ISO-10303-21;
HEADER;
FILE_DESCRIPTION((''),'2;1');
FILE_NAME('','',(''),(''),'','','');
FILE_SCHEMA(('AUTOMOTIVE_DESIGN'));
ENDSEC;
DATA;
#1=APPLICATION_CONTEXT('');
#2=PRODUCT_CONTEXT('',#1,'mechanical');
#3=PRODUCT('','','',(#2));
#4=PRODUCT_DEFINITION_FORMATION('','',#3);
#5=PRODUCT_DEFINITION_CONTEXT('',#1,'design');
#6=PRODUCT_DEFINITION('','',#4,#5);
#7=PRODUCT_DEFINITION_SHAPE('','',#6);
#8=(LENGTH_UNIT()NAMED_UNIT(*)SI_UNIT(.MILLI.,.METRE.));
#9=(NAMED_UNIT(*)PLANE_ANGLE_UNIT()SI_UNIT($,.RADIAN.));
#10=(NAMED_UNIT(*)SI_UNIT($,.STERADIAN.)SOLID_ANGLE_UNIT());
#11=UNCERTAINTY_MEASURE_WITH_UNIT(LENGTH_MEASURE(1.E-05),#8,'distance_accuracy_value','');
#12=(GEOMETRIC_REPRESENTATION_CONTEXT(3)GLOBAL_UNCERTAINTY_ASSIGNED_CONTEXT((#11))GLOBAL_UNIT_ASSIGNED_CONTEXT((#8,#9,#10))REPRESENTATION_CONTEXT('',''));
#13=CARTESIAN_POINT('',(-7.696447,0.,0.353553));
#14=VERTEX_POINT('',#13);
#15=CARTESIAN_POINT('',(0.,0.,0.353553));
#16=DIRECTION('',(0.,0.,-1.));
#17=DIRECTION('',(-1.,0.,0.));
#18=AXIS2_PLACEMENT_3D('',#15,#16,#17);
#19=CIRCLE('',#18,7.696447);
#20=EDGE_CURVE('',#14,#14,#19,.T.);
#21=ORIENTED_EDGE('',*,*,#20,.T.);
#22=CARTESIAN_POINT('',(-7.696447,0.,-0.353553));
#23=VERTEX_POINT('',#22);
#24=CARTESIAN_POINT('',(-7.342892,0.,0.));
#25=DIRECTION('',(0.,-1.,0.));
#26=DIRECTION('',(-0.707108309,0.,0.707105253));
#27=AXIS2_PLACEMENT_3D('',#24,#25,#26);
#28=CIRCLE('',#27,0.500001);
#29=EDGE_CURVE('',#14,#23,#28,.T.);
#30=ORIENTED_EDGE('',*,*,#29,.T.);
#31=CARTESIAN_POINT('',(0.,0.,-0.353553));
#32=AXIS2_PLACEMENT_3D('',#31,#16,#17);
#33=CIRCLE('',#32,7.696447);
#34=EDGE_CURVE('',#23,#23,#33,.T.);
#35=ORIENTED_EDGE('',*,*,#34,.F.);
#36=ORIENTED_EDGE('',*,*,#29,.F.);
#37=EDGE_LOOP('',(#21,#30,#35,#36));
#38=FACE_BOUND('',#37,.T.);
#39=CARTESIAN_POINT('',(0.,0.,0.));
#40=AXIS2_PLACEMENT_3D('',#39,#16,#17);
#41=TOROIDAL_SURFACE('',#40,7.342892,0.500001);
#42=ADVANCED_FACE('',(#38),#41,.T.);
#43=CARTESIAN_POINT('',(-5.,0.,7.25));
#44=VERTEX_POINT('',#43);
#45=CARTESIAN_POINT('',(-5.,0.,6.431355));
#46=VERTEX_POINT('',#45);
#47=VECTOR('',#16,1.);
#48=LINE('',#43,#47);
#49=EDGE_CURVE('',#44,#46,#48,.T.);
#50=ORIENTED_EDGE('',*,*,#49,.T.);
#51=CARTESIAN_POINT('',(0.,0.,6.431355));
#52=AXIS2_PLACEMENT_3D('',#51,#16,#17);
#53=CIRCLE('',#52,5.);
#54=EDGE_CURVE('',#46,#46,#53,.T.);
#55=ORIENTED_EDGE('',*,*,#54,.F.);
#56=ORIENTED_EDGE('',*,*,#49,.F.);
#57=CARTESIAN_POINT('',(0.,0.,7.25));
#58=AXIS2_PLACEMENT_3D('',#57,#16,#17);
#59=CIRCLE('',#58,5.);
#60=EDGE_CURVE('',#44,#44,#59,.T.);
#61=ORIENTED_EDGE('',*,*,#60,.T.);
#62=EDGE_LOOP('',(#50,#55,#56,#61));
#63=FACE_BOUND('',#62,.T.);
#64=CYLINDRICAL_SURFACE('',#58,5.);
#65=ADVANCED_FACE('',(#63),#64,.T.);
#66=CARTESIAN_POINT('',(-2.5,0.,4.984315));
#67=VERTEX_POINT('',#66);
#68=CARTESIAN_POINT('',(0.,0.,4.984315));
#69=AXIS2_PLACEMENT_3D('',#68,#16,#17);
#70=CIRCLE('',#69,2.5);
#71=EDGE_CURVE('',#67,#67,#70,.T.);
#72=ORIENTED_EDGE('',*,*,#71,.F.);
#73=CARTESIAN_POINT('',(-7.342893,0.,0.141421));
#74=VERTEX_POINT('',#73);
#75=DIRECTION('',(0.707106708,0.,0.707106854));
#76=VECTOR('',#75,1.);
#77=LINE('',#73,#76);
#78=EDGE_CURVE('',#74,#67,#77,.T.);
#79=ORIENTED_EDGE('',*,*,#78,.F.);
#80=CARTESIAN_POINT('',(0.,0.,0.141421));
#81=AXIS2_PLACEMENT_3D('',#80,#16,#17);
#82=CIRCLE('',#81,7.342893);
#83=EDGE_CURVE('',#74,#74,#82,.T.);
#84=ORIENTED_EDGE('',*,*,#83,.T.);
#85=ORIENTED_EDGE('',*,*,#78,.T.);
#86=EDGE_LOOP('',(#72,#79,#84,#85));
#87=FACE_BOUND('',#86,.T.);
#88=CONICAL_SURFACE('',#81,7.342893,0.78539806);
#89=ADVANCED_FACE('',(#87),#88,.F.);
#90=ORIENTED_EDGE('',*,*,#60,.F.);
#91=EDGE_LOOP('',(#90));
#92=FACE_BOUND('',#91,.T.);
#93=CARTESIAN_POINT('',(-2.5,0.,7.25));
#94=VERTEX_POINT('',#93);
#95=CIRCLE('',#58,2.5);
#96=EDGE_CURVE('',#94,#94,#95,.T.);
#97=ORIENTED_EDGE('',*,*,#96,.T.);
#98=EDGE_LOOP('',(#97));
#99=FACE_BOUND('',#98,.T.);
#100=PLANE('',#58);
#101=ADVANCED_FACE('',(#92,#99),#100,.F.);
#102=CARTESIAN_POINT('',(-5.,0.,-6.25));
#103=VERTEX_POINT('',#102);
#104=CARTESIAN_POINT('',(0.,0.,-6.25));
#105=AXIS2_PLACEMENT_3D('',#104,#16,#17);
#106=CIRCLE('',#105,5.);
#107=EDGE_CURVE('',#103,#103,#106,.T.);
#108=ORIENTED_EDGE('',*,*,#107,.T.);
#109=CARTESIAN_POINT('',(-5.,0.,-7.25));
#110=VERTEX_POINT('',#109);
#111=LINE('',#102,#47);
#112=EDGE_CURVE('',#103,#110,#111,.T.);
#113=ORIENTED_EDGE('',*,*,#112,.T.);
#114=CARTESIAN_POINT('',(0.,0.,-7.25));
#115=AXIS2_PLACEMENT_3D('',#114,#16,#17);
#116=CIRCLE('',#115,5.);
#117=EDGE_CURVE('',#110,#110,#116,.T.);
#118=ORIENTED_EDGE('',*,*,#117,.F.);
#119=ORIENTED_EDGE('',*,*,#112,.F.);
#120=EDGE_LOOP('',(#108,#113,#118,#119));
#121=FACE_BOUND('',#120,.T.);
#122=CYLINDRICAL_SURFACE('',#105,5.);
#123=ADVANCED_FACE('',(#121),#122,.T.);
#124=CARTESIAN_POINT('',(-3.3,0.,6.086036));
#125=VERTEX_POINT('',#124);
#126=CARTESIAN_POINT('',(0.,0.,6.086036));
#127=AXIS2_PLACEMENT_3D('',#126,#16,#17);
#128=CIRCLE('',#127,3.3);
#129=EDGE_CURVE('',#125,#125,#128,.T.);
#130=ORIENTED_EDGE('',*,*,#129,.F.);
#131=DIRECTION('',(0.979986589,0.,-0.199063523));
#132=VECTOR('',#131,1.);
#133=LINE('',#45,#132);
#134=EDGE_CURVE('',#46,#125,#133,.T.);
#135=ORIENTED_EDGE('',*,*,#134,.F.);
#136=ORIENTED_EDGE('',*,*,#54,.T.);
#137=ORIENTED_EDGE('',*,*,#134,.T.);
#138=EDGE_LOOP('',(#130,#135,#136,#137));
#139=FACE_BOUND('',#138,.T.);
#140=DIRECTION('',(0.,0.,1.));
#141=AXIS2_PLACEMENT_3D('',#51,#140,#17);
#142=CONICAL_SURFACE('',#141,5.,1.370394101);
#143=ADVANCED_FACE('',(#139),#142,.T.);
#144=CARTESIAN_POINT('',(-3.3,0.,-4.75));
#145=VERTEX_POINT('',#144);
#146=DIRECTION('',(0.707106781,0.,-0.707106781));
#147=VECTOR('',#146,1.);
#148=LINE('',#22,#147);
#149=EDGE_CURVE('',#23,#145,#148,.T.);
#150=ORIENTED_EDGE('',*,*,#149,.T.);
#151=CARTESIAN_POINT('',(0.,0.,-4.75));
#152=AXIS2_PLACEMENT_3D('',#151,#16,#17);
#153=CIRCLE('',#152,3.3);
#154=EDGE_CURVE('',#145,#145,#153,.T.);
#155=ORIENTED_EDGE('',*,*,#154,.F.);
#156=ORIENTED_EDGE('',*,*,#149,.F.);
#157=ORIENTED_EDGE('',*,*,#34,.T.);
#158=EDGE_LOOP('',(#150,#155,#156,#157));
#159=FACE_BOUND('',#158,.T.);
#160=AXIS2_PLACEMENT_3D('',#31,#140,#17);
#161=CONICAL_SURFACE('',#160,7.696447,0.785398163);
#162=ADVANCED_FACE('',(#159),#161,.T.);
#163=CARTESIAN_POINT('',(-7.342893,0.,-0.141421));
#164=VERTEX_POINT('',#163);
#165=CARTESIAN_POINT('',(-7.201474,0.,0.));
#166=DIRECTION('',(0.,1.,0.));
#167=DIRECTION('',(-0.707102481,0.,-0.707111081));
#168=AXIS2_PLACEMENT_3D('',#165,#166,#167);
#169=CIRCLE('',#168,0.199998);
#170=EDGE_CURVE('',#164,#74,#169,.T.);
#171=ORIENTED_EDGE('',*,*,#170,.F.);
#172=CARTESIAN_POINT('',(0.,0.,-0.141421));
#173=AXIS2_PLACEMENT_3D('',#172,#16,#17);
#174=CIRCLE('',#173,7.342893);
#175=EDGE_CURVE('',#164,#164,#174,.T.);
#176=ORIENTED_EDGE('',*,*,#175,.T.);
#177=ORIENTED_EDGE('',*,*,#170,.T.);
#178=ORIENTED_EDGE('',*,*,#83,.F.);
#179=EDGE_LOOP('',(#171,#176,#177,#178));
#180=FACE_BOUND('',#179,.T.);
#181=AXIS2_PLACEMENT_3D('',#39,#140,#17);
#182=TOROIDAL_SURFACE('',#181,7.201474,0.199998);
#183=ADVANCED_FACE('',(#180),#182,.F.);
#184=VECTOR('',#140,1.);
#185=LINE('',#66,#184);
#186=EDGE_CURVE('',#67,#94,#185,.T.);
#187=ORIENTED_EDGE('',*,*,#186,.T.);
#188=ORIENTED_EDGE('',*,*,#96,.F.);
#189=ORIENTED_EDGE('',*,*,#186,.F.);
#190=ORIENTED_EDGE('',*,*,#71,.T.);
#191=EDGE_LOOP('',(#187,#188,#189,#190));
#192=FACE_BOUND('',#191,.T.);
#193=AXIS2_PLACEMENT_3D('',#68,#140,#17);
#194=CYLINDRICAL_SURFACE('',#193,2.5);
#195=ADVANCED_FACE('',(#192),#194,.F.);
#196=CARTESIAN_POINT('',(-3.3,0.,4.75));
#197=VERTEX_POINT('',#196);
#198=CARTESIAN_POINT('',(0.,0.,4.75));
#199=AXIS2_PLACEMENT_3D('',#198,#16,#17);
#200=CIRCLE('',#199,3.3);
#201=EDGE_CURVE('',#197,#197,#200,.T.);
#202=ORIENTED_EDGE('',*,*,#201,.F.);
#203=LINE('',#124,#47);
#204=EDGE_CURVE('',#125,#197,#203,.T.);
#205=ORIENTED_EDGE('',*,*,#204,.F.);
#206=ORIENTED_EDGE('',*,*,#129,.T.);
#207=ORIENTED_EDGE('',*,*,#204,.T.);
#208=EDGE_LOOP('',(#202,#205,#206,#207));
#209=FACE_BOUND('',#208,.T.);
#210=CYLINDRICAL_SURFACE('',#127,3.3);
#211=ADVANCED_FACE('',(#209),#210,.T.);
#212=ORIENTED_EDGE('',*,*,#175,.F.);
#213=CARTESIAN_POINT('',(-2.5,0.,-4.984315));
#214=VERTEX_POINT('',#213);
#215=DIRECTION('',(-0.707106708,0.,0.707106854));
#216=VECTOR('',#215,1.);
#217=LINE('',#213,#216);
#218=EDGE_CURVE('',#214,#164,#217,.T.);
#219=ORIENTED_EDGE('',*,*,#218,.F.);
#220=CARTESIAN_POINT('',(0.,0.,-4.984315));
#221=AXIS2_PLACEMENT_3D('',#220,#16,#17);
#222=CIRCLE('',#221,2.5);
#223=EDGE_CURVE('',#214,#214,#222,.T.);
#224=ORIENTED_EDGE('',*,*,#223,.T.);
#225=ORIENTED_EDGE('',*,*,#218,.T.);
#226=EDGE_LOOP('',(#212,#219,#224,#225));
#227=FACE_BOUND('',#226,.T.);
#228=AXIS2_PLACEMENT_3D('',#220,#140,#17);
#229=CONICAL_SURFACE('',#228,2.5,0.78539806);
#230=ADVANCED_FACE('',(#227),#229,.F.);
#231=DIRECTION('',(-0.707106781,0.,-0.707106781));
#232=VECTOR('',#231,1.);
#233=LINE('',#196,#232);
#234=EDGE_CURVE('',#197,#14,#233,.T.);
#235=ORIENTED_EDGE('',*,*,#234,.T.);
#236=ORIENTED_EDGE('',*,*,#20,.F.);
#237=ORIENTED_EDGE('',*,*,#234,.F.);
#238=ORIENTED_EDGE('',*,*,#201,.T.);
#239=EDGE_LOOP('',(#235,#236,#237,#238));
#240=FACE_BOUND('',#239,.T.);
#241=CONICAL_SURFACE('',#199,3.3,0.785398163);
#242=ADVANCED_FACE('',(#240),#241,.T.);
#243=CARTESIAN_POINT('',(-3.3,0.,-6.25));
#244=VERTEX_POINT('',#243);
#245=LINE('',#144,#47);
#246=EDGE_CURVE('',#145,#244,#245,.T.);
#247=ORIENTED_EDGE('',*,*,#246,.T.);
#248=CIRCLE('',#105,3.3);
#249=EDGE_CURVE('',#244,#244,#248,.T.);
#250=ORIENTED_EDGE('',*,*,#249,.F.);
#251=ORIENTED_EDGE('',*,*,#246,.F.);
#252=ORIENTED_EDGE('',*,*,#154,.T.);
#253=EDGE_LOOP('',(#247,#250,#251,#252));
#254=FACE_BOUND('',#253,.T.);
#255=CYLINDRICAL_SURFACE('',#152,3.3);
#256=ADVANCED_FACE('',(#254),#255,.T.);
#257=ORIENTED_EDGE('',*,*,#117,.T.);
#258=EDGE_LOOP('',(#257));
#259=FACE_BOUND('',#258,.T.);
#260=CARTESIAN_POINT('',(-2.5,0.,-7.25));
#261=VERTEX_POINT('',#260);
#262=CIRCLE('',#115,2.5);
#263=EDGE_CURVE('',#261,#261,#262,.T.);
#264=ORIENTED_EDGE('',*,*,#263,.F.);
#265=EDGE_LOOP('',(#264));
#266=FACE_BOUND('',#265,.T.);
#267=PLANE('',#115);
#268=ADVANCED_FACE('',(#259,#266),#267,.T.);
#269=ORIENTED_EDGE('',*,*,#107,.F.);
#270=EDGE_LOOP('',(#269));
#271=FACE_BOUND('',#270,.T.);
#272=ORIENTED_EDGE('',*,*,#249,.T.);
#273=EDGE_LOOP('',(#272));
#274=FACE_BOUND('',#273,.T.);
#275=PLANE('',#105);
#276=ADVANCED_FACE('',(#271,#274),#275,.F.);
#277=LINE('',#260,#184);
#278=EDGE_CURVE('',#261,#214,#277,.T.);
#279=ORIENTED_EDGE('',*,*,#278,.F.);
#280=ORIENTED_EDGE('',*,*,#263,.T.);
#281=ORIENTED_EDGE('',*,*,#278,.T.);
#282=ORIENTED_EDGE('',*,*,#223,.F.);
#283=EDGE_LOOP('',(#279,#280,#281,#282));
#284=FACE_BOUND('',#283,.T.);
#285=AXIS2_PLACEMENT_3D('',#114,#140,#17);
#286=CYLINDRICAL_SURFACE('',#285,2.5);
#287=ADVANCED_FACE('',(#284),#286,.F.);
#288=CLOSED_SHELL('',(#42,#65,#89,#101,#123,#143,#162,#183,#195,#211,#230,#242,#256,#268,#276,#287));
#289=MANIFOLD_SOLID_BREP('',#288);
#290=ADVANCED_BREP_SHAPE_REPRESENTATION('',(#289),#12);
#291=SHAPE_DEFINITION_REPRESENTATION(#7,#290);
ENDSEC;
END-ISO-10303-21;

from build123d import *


with BuildPart() as f1:
    # F0 (on Front) → F1 (revolve)
    with BuildSketch(Plane.XZ):
        with BuildLine():
            Line((-2.5, 4.984315), (-2.5, 7.25))
            Line((-2.5, 7.25), (-5, 7.25))
            Line((-5, 7.25), (-5, 6.431355))
            Line((-5, 6.431355), (-3.3, 6.086036))
            Line((-3.3, 6.086036), (-3.3, 4.75))
            Line((-3.3, 4.75), (-7.696447, 0.353553))
            ThreePointArc((-7.696447, 0.353553), (-7.842893, 0), (-7.696447, -0.353553))
            Line((-7.696447, -0.353553), (-3.3, -4.75))
            Line((-3.3, -4.75), (-3.3, -6.25))
            Line((-3.3, -6.25), (-5, -6.25))
            Line((-5, -6.25), (-5, -7.25))
            Line((-5, -7.25), (-2.5, -7.25))
            Line((-2.5, -7.25), (-2.5, -4.984315))
            Line((-2.5, -4.984315), (-7.342893, -0.141421))
            ThreePointArc((-7.342893, -0.141421), (-7.401472, 0), (-7.342893, 0.141421))
            Line((-7.342893, 0.141421), (-2.5, 4.984315))
        make_face()
    revolve(axis=Axis((0, 0, -0.799421), (0, 0, -1)))


solid = f1.part
